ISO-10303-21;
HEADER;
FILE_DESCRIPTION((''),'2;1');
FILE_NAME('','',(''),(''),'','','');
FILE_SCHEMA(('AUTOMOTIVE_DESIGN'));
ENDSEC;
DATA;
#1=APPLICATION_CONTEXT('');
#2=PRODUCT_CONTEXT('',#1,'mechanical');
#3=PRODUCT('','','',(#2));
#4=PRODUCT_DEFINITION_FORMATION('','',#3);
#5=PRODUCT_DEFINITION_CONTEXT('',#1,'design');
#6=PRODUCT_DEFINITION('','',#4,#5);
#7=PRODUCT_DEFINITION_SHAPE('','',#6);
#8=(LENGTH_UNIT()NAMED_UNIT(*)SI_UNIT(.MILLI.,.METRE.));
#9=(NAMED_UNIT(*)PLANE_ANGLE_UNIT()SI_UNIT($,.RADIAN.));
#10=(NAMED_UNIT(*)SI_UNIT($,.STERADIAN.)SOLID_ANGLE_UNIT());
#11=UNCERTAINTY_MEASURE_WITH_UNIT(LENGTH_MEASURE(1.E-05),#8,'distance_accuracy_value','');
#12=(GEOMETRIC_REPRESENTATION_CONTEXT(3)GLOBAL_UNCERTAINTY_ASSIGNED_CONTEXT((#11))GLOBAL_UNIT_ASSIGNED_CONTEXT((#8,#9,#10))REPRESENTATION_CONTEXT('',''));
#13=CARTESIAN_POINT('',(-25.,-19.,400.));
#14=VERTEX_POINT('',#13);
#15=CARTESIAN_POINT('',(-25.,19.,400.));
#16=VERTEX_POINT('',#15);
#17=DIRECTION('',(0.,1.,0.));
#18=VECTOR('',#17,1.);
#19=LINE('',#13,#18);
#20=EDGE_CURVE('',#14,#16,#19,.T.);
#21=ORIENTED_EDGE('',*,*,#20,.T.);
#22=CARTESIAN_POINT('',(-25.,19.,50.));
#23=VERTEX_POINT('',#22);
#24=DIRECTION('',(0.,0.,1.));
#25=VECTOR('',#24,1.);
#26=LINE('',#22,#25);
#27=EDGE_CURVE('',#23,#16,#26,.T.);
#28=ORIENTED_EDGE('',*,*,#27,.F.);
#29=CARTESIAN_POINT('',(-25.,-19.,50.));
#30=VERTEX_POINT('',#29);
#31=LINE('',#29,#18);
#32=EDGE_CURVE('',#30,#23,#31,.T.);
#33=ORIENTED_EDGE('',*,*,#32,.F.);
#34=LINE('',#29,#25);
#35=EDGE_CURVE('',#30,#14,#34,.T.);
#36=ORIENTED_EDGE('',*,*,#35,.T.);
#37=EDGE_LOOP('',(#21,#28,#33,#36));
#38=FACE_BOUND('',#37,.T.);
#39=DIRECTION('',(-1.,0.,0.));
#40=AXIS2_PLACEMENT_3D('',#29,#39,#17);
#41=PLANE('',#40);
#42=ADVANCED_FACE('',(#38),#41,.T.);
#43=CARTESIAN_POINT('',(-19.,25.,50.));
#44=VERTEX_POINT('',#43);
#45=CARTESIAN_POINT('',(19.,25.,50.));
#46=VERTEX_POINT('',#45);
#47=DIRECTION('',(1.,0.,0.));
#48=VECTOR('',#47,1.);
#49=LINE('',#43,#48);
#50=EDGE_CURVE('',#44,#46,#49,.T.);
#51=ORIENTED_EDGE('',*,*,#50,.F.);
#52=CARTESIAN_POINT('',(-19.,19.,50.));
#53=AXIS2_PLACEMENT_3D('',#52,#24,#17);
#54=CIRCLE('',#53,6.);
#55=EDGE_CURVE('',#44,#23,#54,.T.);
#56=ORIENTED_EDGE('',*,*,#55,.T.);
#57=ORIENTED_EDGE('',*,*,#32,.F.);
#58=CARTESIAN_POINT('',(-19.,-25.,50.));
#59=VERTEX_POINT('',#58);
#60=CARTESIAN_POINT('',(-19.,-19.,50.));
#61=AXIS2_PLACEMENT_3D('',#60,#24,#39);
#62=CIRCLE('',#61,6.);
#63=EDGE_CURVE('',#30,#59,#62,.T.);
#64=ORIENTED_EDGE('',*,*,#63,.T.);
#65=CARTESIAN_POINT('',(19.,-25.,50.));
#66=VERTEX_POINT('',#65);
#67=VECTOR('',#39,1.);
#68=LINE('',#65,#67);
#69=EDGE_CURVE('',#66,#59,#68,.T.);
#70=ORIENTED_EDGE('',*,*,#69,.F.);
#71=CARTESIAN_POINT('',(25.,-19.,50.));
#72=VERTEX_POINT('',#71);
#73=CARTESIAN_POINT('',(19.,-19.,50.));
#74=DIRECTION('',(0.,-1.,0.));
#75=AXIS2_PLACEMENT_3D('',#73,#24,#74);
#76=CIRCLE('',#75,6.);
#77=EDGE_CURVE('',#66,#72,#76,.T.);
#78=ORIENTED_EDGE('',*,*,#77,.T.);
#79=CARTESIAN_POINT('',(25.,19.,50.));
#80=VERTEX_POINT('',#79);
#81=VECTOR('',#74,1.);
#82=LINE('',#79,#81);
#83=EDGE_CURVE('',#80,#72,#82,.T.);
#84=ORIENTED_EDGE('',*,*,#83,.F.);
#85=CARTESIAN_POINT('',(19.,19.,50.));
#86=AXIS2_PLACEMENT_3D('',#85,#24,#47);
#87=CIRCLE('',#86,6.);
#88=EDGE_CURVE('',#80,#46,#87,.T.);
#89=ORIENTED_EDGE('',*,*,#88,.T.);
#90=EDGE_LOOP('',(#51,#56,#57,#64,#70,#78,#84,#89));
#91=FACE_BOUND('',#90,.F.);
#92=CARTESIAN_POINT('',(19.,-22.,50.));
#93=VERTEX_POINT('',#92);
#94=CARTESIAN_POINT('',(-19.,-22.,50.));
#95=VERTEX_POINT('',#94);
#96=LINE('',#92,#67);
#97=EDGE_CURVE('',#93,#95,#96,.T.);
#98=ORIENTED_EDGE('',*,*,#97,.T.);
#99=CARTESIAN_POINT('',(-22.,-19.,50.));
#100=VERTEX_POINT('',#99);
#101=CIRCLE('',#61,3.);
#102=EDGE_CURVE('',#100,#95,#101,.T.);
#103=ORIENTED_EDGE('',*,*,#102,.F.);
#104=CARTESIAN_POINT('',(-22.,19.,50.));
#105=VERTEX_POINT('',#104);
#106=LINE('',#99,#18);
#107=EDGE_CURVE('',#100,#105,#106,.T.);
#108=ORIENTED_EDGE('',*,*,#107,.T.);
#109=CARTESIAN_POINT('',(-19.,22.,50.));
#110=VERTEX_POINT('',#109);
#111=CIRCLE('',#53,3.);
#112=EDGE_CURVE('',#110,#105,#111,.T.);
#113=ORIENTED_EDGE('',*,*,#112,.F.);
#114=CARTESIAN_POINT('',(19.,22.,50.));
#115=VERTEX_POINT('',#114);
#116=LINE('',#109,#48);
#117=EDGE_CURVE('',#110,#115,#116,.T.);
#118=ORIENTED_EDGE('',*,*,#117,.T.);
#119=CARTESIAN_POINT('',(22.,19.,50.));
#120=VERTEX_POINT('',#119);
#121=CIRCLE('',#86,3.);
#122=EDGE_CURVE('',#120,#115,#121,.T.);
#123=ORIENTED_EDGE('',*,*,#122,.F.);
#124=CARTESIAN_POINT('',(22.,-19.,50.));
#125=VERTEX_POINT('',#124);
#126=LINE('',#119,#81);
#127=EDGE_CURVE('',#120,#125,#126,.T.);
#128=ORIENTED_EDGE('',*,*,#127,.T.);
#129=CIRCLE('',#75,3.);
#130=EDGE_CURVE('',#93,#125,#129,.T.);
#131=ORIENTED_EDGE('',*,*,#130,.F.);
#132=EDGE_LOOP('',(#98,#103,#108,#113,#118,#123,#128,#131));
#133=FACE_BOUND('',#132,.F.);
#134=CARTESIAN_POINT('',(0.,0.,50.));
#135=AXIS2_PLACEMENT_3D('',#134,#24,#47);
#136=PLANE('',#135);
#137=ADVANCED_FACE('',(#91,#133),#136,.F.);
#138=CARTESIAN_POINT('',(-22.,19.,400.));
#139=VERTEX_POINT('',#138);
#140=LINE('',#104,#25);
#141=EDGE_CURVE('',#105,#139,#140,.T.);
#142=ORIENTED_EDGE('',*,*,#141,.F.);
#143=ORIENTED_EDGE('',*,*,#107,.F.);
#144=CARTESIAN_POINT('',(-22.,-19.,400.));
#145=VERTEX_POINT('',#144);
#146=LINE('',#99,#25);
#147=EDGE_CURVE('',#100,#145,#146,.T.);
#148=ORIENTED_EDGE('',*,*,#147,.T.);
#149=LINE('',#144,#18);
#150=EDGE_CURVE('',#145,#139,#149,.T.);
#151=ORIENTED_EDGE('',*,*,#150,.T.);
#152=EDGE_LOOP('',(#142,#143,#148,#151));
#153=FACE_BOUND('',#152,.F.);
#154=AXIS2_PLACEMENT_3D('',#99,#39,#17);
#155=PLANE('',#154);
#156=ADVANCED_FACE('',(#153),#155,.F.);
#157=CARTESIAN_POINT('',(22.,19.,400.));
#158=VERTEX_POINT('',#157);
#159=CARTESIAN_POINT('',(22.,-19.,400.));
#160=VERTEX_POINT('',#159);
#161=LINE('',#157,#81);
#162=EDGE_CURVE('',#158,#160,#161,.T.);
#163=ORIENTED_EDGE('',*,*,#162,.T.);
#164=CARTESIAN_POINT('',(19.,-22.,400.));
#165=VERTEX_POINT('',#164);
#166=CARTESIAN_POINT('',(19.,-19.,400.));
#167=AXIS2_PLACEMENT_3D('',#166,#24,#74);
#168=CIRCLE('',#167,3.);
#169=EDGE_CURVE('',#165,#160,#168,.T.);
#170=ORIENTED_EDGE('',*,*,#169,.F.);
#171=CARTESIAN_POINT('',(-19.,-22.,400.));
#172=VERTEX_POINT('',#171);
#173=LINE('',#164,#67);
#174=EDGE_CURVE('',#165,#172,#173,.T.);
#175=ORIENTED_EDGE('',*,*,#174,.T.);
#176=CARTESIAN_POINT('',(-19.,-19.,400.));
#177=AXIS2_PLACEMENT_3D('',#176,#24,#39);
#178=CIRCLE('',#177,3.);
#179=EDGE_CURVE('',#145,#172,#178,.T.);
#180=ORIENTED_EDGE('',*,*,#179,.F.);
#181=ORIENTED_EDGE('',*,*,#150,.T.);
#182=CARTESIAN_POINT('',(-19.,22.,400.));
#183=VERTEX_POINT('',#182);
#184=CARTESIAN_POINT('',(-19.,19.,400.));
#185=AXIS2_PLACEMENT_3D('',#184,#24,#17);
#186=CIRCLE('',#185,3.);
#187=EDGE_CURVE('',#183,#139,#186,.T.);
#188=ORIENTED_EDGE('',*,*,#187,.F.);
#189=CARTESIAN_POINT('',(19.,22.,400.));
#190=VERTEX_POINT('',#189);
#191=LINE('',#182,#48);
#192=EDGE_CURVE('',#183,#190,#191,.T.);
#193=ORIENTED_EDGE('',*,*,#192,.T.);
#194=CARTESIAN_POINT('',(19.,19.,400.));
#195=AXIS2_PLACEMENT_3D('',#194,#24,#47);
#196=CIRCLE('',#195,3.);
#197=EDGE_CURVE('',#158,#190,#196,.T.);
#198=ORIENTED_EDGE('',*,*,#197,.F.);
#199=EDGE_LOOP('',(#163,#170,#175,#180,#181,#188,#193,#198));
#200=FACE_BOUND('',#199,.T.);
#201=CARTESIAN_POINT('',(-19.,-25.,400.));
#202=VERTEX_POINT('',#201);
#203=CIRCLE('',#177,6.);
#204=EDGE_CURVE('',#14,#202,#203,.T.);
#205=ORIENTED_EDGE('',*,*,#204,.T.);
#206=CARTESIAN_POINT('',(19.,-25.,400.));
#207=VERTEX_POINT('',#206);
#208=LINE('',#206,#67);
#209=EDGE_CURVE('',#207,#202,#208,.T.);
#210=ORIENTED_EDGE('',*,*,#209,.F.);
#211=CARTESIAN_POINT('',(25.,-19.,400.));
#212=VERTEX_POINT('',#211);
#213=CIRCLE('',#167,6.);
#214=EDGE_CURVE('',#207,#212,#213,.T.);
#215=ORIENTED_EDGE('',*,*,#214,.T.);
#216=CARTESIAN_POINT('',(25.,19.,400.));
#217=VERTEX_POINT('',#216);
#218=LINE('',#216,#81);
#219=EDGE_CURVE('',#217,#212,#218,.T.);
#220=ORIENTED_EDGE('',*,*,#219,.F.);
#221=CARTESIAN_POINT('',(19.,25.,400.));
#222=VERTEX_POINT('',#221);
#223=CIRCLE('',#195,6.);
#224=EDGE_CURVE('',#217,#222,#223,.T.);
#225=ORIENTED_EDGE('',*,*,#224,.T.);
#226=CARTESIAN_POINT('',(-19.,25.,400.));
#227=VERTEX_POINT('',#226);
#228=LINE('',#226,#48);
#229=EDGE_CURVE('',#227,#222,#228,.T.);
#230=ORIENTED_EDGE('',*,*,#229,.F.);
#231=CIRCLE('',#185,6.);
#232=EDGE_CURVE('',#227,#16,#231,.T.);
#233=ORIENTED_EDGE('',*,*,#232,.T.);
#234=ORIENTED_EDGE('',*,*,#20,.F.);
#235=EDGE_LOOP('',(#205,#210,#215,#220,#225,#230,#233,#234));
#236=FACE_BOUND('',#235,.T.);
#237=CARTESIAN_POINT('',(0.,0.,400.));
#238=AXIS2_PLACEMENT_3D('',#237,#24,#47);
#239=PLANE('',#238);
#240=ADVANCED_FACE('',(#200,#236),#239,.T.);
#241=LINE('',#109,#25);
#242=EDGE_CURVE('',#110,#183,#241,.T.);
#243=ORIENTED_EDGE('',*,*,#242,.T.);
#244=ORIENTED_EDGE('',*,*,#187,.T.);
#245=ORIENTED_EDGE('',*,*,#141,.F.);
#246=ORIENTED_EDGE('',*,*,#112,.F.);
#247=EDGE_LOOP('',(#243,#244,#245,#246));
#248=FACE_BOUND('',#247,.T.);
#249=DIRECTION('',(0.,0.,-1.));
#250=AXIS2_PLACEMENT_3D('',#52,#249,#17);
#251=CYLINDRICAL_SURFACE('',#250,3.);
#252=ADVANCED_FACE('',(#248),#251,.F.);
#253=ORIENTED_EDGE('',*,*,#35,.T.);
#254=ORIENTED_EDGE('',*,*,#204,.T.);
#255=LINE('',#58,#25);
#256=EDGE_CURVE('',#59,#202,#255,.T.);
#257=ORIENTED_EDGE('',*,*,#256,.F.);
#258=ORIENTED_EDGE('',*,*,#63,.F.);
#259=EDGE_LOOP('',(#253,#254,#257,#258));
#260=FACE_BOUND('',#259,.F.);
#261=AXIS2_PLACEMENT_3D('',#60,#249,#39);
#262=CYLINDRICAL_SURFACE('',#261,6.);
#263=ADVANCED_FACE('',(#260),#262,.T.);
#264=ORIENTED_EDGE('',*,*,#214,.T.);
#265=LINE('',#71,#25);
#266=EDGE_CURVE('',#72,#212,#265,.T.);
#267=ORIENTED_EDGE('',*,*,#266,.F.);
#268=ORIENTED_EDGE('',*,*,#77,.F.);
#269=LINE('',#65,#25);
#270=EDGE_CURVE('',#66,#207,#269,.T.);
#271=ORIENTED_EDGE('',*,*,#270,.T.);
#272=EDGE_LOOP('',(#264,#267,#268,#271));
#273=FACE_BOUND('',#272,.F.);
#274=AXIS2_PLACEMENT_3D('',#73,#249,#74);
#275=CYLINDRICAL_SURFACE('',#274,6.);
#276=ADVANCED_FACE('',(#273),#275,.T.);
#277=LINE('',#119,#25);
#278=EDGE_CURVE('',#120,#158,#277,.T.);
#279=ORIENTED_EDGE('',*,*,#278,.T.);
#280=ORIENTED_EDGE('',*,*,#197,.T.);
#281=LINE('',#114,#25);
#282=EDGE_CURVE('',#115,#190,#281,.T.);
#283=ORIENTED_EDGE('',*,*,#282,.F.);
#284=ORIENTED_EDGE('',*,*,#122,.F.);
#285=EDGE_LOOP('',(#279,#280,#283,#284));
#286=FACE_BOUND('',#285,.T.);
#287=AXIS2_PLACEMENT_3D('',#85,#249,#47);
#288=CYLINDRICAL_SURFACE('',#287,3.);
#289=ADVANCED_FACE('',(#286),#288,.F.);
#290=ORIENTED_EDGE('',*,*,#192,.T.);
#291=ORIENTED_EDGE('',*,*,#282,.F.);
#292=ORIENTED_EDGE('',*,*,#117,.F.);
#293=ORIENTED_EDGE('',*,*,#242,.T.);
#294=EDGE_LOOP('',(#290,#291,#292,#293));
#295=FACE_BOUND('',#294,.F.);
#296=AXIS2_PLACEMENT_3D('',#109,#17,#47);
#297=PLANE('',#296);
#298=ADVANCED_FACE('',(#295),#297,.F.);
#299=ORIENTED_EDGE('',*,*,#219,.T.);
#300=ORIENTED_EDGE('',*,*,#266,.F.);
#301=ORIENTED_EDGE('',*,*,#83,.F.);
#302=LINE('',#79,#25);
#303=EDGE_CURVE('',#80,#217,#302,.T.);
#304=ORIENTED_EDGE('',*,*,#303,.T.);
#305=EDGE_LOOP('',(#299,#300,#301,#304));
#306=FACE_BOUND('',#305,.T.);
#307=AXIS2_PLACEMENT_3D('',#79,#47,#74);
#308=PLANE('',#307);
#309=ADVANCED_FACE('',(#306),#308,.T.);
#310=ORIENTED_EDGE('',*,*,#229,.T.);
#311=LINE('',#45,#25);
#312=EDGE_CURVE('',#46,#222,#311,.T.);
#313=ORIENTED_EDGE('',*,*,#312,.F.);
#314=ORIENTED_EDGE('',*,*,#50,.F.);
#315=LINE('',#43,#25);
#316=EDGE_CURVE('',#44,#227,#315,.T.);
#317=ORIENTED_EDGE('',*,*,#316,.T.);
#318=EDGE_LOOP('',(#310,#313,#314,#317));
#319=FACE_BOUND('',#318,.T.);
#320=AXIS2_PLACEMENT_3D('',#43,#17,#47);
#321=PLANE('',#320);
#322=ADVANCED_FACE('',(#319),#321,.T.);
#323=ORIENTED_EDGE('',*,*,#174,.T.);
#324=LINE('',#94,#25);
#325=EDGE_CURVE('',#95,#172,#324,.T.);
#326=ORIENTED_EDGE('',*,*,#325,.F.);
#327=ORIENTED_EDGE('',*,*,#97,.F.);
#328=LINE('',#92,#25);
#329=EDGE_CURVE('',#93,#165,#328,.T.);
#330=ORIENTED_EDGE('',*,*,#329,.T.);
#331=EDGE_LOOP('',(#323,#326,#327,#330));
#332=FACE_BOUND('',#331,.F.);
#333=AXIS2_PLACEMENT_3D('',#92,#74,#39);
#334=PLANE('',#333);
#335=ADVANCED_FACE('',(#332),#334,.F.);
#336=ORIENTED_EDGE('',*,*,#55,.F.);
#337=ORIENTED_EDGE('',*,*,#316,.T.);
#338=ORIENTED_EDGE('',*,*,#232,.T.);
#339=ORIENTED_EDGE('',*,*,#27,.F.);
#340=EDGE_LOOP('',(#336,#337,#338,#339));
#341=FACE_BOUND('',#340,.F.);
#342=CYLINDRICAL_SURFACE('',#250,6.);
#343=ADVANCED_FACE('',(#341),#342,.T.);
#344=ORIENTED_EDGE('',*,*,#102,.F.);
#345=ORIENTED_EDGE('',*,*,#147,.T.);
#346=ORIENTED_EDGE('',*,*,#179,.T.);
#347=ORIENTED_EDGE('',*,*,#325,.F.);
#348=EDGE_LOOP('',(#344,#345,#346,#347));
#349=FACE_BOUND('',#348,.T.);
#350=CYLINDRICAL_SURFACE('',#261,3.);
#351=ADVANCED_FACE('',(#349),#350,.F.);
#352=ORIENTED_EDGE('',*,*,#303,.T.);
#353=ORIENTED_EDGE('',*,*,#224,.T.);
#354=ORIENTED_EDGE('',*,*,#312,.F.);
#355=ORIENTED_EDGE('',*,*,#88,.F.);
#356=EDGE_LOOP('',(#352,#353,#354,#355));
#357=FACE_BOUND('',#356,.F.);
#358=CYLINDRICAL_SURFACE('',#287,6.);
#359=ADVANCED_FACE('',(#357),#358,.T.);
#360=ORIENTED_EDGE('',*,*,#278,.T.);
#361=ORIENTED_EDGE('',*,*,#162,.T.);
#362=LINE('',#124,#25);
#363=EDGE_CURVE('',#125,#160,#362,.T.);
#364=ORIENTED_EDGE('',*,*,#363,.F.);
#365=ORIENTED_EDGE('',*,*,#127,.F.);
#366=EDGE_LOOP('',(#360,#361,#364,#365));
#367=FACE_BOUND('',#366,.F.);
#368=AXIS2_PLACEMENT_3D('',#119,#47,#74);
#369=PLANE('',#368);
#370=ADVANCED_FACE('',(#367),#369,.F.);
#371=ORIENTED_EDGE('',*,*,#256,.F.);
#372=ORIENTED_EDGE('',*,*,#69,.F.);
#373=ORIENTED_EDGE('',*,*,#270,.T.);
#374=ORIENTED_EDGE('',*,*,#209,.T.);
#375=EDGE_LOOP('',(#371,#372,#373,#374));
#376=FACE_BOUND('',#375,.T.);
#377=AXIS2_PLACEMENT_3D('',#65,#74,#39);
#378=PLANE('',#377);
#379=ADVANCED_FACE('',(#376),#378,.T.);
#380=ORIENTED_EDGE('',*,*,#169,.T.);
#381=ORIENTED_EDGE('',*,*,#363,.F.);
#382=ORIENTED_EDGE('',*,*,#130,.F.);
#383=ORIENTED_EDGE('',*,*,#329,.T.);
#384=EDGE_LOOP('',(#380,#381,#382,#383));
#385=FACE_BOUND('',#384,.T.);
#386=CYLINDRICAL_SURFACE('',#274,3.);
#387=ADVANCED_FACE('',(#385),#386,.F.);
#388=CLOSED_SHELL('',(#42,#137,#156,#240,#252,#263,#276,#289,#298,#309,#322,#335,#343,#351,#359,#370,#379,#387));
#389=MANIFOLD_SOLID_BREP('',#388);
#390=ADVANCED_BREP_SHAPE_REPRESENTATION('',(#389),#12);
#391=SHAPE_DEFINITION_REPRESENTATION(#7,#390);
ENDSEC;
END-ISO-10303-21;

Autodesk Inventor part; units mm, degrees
ref_plane "YZ Plane" through (0, 0, 0) normal (1, 0, 0) x (0, 1, 0)
ref_plane "Start Plane" through (0, 0, 50) normal (0, 0, 1) x (1, 0, 0)
ref_plane "End Plane" through (0, 0, 400) normal (0, 0, 1) x (1, 0, 0)
sketch "Sketch" plane through (0, 0, 0) normal (0, 0, 1) x (1, 0, 0)
  line L0 (-25, -19) -> (-25, 19)
  line L1 (-19, 25) -> (19, 25)
  line L2 (25, 19) -> (25, -19)
  line L3 (19, -25) -> (-19, -25)
  arc A0 (-25, -19) -> (-19, -25) centre (-19, -19) ccw
  arc A1 (25, 19) -> (19, 25) centre (19, 19) ccw
  arc A2 (-19, 25) -> (-25, 19) centre (-19, 19) ccw
  arc A3 (19, -25) -> (25, -19) centre (19, -19) ccw
  arc A4 (-19, 22) -> (-22, 19) centre (-19, 19) ccw
  line L4 (-19, 22) -> (19, 22)
  arc A5 (22, 19) -> (19, 22) centre (19, 19) ccw
  line L5 (22, 19) -> (22, -19)
  arc A6 (19, -22) -> (22, -19) centre (19, -19) ccw
  line L6 (19, -22) -> (-19, -22)
  arc A7 (-22, -19) -> (-19, -22) centre (-19, -19) ccw
  line L7 (-22, -19) -> (-22, 19)
  line L8 (0, 36.7397) -> (0, -36.7397) construction
  line L9 (-36.7397, 0) -> (36.7397, 0) construction
  dimension "d7" = 6
  dimension "d9" = 50
  dimension "d11" = 50
  dimension "d12" = 3
  dimension "d15" = 25
  dimension "d16" = 25
extrude "Body" add sketch "Sketch" along normal up to surface (350 mm away) from surface at 50
sketch "Sketch3" plane through (0, 0, 0) normal (0, 0, 1) x (1, 0, 0)
  line L0 (0, 0) -> (10, 0)
ref_plane "Work Plane3" through (0, 0, 0) normal (0, -1, 0) x (1, 0, 0)
sketch "Sketch4" plane through (0, 0, 0) normal (0, -1, 0) x (1, 0, 0)
  line L0 (-2, 50) -> (12, 50) projected
  line L1 (-2, 400) -> (12, 400) projected
  dimension "d18" = 350
equation "\"d7\" = G_IR"
equation "\"d9\" = G_W"
equation "\"d11\" = G_H"
equation "\"d12\" = G_T"
equation "\"d15\" = 0.5 * d9"
equation "\"d16\" = 0.5 * d11"
equation "\"d3\" = G_L"
equation "\"G_W\" = 50"
equation "\"G_H\" = 50"
equation "\"G_T\" = 3"
equation "\"G_IR\" = 6"
equation "\"G_L\" = d18"
equation "\"G_OFFSET_END\" = 0"
properties part number "ISO 4019 - 50x50x3 - 350" material "Steel, Mild"
